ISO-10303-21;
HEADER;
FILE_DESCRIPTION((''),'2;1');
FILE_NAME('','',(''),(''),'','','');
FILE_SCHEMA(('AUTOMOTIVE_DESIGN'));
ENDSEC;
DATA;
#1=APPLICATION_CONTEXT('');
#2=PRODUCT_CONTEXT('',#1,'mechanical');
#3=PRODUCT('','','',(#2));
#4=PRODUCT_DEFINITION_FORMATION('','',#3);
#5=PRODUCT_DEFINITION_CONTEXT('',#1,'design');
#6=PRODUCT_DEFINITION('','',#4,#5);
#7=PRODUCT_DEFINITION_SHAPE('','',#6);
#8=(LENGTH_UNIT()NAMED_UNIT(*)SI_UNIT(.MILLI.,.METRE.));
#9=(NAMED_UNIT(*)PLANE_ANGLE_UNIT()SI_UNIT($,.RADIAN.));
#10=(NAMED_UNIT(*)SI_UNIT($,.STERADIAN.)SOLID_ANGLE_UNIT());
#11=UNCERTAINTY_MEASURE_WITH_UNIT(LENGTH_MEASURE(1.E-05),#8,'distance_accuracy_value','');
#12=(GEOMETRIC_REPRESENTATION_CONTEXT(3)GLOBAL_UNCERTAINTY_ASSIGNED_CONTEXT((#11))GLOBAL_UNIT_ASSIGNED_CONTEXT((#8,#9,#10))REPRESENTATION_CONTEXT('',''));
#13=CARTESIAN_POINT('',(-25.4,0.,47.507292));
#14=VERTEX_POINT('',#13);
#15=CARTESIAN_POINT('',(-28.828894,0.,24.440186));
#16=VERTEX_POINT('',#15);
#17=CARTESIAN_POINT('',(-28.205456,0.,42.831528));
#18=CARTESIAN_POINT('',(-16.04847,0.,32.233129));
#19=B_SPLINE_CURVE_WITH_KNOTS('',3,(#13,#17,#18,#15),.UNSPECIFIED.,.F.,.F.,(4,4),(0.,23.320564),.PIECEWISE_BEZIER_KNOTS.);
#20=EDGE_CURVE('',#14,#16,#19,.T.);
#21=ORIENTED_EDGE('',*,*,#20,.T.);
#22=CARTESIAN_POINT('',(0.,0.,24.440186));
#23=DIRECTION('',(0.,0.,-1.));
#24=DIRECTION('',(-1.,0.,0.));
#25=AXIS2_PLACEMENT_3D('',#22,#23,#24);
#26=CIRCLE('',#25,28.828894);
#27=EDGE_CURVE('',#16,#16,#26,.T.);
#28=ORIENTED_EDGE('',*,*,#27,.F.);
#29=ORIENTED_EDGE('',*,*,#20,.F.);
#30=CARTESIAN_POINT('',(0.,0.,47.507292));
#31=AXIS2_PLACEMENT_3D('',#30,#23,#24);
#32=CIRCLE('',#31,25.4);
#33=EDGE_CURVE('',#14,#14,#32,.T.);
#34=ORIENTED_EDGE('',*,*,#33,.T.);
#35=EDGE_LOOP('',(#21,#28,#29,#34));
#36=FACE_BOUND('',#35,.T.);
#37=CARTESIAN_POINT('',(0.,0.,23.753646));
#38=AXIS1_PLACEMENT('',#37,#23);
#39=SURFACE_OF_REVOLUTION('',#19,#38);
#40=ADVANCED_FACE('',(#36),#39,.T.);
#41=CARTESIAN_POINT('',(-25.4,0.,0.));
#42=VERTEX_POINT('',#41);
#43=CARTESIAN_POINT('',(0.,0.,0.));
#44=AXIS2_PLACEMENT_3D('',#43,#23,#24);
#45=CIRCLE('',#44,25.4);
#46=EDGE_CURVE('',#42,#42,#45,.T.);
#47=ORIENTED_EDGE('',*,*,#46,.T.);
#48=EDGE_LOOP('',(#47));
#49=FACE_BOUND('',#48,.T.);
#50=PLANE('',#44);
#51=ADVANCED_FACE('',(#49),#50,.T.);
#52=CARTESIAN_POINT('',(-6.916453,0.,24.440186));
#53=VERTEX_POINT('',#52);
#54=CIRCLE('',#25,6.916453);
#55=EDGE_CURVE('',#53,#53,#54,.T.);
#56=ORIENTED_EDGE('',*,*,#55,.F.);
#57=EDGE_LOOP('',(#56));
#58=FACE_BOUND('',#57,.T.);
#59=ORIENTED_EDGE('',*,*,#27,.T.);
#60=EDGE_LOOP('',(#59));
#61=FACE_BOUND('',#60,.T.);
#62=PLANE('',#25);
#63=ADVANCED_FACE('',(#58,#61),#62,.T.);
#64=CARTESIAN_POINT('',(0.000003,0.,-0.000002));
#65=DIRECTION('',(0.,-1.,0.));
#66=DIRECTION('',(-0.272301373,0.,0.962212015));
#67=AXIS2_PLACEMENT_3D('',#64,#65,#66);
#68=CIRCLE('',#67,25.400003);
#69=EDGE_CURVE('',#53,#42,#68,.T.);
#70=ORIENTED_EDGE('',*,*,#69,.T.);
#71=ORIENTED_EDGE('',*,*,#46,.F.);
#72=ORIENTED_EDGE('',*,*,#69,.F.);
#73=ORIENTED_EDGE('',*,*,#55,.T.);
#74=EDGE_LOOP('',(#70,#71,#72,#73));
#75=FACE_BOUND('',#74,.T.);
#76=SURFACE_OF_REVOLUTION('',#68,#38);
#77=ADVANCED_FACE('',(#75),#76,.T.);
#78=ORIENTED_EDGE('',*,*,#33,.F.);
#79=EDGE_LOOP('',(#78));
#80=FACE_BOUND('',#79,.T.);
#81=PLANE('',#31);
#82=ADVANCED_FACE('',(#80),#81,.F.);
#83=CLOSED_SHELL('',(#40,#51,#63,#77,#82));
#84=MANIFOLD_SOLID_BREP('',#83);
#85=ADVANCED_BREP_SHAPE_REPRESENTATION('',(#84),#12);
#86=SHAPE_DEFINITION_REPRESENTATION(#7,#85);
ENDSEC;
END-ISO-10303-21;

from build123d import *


with BuildPart() as f1:
    # F0 (on Front) → F1 (revolve)
    with BuildSketch(Plane.XZ):
        with BuildLine():
            Line((-28.828894, 24.440186), (-6.916453, 24.440186))
            ThreePointArc((-6.916453, 24.440186), (-20.258799, 15.321261), (-25.4, 0))
            Line((-25.4, 0), (0, 0))
            Line((0, 0), (0, 47.507292))
            Line((0, 47.507292), (-25.4, 47.507292))
            add(Edge.make_bspline(
                [(-25.4, 47.507292), (-28.205456, 42.831528), (-16.04847, 32.233129), (-28.828894, 24.440186)],
                knots=[0, 0, 0, 0, 23.320564, 23.320564, 23.320564, 23.320564], degree=3))
        make_face()
    revolve(axis=Axis((0, 0, 23.753646), (0, 0, -1)))


solid = f1.part
